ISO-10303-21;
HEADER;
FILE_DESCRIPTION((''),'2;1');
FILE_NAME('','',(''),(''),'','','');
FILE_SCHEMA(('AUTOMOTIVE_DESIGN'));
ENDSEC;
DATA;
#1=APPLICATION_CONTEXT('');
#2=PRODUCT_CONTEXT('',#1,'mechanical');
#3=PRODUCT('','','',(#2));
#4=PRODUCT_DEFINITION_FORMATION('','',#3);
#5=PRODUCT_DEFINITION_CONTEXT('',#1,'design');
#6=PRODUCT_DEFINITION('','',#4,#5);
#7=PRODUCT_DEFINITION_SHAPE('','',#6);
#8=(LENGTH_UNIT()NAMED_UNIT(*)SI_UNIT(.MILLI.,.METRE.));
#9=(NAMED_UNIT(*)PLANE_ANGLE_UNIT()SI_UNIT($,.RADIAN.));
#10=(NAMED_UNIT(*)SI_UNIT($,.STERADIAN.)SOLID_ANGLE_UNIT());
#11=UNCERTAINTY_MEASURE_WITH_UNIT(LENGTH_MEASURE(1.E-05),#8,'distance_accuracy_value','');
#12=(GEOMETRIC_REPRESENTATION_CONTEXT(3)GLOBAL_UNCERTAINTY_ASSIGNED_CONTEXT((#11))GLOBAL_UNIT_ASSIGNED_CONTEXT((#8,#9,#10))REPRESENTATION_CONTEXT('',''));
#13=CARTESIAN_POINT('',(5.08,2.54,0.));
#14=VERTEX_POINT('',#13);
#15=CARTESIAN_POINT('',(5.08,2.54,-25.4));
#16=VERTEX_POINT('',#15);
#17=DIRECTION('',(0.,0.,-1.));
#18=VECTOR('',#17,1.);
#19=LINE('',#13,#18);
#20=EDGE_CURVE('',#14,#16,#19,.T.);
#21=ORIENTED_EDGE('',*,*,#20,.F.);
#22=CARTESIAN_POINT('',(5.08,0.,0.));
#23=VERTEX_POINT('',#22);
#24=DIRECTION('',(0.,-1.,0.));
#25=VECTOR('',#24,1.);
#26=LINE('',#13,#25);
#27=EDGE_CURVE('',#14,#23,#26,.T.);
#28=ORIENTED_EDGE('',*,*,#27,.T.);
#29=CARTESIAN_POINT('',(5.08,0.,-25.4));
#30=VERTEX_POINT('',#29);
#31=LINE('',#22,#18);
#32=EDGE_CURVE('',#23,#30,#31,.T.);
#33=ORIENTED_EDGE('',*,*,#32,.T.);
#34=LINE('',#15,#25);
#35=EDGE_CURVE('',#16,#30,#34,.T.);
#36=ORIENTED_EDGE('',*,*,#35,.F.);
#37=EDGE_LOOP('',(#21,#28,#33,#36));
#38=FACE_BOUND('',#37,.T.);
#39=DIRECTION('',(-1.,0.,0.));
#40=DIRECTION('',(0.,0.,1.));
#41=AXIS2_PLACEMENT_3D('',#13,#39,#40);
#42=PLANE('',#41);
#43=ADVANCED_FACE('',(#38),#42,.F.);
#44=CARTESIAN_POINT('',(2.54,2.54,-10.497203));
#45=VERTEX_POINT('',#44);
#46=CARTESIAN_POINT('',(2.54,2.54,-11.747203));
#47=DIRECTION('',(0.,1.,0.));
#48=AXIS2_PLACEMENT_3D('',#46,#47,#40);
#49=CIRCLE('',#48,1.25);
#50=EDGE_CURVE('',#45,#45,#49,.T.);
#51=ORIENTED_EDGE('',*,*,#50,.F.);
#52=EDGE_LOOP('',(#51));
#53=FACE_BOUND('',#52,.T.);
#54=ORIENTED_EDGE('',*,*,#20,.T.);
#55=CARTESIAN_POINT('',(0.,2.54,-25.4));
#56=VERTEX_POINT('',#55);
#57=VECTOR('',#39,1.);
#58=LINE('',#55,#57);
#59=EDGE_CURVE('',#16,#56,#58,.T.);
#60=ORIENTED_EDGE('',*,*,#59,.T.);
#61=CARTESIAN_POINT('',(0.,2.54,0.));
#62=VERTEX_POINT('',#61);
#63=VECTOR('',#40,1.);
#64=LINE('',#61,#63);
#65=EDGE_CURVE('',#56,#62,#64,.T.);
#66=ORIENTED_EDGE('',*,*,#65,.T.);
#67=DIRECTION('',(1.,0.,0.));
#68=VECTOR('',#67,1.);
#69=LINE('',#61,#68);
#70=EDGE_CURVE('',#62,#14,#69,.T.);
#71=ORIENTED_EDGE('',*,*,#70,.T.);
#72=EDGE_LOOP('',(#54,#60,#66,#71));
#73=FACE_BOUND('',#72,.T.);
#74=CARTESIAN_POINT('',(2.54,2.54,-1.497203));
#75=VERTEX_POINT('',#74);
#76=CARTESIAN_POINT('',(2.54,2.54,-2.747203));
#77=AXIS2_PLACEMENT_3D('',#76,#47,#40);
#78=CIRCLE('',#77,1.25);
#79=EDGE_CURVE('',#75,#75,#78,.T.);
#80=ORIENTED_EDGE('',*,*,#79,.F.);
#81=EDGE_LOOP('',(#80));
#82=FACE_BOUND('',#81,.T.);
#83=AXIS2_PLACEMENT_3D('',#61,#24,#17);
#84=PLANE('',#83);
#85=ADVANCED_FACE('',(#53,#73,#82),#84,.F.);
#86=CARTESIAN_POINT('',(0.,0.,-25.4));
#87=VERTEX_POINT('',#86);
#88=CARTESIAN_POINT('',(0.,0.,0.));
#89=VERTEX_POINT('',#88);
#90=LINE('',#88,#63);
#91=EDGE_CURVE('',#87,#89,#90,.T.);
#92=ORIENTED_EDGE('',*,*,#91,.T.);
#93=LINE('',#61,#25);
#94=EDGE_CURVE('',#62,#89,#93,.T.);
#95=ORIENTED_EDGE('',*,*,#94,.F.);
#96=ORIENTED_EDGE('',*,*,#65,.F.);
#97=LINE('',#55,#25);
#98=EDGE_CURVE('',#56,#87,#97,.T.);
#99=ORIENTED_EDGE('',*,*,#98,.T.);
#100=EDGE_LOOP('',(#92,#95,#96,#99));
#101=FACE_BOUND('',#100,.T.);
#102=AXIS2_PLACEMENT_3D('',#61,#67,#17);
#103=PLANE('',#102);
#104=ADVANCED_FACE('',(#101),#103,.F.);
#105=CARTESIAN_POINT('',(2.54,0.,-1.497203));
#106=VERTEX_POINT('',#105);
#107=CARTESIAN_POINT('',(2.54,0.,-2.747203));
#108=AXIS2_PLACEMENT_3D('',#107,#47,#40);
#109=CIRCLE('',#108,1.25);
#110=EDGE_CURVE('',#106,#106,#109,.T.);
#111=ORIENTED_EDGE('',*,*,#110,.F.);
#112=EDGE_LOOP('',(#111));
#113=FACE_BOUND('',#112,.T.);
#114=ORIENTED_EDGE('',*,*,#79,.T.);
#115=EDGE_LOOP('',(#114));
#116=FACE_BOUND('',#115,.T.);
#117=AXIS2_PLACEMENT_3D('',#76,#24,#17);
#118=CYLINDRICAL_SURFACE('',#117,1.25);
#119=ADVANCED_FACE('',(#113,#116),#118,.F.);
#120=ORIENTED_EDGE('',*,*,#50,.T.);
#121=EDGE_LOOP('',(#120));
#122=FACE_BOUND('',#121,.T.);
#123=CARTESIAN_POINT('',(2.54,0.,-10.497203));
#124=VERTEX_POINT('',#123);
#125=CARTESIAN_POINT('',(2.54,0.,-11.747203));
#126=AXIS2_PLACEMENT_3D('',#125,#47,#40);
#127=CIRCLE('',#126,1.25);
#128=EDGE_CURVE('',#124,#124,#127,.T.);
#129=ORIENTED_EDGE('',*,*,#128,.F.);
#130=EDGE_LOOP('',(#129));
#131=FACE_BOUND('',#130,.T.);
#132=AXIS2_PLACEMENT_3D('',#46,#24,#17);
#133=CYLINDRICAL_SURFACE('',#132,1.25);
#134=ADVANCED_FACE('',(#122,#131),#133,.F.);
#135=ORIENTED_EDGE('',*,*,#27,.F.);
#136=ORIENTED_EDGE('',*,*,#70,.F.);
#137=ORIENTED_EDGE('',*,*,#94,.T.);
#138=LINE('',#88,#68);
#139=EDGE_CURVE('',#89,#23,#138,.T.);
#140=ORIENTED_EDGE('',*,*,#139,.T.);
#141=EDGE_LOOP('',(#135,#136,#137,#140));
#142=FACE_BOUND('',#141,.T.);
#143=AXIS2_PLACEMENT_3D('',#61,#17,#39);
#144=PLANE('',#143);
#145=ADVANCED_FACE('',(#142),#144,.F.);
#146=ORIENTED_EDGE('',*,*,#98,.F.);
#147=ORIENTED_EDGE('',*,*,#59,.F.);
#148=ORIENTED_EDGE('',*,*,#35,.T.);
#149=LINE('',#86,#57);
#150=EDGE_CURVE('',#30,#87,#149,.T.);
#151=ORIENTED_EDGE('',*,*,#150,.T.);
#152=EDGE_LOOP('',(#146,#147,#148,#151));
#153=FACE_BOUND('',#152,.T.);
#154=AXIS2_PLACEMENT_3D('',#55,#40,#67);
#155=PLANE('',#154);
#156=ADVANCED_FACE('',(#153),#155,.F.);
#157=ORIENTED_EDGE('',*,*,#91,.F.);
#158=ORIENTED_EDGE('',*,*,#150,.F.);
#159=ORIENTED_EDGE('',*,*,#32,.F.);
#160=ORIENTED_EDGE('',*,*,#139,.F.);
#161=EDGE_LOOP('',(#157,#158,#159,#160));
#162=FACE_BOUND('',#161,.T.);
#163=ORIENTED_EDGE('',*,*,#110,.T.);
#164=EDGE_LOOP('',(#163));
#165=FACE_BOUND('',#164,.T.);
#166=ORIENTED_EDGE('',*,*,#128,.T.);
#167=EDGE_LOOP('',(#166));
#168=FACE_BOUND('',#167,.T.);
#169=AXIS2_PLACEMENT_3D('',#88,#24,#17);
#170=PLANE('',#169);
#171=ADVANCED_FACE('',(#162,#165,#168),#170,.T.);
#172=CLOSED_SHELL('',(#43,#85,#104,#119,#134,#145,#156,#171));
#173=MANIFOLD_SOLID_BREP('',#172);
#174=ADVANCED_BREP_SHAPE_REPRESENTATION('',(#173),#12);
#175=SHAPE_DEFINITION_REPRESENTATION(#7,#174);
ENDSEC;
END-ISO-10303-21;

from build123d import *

# Parameters (mm, degrees)
SKETCH1_W           = 5.08
SKETCH1_H           = 25.4
SKETCH1_R           = 1.25
BOSS_EXTRUDE1_DEPTH = 2.54


with BuildPart() as part:
    # Sketch1 → Boss-Extrude1 (new body)
    with BuildSketch(Plane(origin=(0, 0, 0), x_dir=(1, 0, 0), z_dir=(0, 1, 0))):
        with Locations((2.54, 12.7)):
            Rectangle(SKETCH1_W, SKETCH1_H)
        with Locations(Location((2.54, 2.747203238, 0), (0, 0, 270))):
            Circle(SKETCH1_R, mode=Mode.SUBTRACT)
        with Locations(Location((2.54, 11.747203238, 0), (0, 0, 270))):
            Circle(SKETCH1_R, mode=Mode.SUBTRACT)
    extrude(amount=BOSS_EXTRUDE1_DEPTH)


solid = part.part
